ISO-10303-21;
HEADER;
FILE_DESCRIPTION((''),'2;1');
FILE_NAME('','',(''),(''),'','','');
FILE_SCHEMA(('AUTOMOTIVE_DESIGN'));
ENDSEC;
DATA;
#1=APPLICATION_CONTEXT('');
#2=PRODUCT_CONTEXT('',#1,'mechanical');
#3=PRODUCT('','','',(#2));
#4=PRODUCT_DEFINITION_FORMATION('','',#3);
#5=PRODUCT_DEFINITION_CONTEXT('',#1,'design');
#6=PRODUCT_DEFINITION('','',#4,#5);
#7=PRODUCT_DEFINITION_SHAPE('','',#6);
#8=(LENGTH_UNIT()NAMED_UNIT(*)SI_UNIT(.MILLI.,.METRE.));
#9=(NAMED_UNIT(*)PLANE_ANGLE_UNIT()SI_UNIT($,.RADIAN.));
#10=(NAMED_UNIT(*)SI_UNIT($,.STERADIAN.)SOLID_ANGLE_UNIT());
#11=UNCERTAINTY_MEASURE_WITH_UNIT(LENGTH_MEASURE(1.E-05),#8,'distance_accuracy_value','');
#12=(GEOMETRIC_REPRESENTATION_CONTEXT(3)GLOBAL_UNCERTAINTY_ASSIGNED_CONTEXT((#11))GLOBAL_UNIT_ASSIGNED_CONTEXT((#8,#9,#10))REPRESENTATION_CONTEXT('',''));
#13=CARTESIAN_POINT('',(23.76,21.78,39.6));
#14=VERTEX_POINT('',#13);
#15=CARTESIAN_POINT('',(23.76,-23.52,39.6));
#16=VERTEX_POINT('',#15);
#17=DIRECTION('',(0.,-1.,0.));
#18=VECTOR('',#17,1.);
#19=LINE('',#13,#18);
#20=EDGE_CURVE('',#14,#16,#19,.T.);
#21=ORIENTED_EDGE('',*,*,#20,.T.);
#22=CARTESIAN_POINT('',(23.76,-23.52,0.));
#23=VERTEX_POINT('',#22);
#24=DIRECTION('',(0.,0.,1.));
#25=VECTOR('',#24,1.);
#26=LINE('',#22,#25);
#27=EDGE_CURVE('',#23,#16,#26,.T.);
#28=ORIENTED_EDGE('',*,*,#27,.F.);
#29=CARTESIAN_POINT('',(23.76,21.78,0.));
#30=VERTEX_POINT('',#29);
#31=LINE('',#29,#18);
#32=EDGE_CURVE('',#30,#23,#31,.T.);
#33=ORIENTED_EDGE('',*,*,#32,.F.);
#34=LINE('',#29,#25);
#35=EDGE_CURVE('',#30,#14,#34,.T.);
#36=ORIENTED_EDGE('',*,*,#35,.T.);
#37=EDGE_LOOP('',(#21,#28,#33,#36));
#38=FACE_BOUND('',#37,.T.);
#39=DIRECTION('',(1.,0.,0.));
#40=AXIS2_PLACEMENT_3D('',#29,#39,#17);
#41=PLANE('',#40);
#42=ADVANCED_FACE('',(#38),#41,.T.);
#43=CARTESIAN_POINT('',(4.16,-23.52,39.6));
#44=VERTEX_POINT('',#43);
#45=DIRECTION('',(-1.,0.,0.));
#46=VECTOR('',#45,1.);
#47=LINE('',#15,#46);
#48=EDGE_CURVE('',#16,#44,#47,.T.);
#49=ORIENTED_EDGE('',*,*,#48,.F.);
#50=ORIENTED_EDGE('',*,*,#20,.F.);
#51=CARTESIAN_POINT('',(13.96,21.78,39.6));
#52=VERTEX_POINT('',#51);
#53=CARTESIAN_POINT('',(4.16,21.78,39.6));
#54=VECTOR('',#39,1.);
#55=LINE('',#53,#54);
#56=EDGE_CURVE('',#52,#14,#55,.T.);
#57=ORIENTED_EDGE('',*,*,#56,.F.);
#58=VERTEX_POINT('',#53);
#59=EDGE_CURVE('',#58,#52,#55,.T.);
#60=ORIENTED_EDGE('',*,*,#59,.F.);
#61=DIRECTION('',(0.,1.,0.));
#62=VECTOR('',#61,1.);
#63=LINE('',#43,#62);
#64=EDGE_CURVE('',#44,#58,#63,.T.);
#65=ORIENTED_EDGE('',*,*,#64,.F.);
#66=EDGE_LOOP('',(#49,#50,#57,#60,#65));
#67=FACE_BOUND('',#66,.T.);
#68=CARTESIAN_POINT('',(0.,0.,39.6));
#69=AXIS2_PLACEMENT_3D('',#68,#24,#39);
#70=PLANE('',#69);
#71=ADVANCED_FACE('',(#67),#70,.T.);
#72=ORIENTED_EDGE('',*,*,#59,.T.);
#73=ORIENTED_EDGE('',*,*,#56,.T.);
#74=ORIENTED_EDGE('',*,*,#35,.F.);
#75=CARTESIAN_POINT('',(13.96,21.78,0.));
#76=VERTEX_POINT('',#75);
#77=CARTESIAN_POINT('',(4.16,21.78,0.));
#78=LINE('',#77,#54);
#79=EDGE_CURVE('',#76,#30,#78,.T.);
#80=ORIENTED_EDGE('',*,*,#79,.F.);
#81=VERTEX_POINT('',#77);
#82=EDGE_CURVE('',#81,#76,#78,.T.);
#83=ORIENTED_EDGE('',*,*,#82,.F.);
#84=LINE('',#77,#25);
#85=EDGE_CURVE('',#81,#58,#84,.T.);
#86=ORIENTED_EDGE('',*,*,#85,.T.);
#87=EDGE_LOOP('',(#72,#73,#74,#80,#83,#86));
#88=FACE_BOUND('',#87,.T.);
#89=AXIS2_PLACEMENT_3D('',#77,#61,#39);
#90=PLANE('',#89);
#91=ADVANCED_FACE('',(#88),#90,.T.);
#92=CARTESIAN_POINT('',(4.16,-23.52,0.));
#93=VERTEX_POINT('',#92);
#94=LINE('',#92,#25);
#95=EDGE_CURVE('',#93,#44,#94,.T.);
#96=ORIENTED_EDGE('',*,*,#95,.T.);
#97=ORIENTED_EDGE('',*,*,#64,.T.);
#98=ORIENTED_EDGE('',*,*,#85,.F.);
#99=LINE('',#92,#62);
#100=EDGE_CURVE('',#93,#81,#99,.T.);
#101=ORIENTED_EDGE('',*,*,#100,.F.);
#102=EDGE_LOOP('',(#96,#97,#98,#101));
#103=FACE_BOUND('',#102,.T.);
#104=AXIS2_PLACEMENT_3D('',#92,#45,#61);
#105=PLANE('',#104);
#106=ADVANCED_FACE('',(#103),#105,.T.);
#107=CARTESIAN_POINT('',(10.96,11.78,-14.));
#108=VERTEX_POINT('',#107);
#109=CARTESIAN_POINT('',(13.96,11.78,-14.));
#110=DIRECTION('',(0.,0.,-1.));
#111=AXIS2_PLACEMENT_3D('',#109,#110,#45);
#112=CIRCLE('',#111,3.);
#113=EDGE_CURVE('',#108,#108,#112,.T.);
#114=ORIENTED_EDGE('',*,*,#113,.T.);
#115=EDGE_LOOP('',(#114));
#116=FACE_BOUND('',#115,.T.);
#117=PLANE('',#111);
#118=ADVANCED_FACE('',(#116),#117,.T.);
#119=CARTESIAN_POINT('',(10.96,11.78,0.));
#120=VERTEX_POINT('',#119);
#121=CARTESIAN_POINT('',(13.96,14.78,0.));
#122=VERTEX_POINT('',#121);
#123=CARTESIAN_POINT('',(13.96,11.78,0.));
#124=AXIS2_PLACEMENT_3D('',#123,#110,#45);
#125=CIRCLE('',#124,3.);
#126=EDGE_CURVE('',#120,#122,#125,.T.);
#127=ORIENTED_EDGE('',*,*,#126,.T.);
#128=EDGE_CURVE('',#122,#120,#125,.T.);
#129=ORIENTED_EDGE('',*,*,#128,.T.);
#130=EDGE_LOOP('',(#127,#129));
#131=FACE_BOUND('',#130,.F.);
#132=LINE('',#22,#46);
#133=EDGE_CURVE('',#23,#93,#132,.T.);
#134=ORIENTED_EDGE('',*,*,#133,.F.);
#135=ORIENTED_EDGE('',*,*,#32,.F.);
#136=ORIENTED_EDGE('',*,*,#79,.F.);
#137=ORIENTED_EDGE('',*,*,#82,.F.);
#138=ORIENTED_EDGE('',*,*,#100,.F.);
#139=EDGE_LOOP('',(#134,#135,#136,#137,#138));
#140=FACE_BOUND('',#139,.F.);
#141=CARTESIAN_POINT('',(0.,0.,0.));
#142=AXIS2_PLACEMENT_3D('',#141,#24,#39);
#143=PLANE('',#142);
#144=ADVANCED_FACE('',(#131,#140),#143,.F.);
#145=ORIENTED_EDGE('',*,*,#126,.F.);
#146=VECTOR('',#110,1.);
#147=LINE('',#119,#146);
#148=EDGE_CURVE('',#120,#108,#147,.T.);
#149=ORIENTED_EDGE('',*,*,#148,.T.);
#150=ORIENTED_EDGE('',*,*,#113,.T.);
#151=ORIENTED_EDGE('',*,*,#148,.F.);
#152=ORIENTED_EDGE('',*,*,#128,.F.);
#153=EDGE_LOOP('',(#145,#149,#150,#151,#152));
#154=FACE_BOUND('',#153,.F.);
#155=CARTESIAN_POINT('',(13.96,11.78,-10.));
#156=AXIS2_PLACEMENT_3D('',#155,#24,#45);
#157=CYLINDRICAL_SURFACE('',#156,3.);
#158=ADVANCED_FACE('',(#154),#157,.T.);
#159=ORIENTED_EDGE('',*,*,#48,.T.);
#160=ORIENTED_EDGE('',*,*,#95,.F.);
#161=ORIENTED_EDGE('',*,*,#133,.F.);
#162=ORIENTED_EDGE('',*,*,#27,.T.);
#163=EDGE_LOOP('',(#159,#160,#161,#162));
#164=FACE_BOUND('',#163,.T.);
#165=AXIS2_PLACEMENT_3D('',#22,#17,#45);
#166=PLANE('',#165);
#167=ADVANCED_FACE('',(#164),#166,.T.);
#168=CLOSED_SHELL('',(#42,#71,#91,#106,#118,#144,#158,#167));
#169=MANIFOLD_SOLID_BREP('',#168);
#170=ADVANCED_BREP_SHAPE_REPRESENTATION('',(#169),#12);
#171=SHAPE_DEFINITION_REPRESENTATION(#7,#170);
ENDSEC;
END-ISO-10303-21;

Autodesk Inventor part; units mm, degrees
ref_plane "YZ Plane" through (0, 0, 0) normal (1, 0, 0) x (0, 1, 0)
ref_plane "XZ Plane" through (0, 0, 0) normal (0, 1, 0) x (-1, 0, 0)
ref_plane "XY Plane" through (0, 0, 0) normal (0, 0, 1) x (1, 0, 0)
sketch "Sketch1" plane through (0, 0, 0) normal (0, 0, 1) x (1, 0, 0)
  line L0 (4.16, 21.78) -> (23.76, 21.78)
  line L1 (23.76, 21.78) -> (23.76, -23.52)
  line L2 (23.76, -23.52) -> (4.16, -23.52)
  line L3 (4.16, -23.52) -> (4.16, 21.78)
  line L4 (4.16, 21.78) -> (23.76, 21.78)
  line L5 (13.96, 21.78) -> (13.96, 11.78)
  circle A0 centre (13.96, 11.78) radius 3
  point P0 (0, 0)
  dimension "d0" = 45.3
  dimension "d1" = 19.6
  dimension "d2" = 10
  dimension "d3" = 6
extrude "Extrusion1" add sketch "Sketch1" along normal blind 39.6 contours A0 | L0 L1 L2 L3
sketch "Sketch2" plane through (0, 0, 0) normal (0, 0, -1) x (-1, 0, 0)
  line L0 (-23.76, 21.78) -> (-4.16, 21.78) projected
  line L1 (-23.76, 21.78) -> (-4.16, 21.78)
  line L2 (-13.96, 21.78) -> (-13.96, 11.78)
  circle A0 centre (-13.96, 11.78) radius 3
  point P0 (0, 0)
  dimension "d6" = 10
  dimension "d7" = 6
extrude "Extrusion2" add sketch "Sketch2" along normal blind 10
sketch "Sketch3" plane through (13.96, 11.78, -10) normal (0, 0, -1) x (-1, 0, 0)
  circle A0 centre (0, 0) radius 3 projected
  circle A1 centre (0, 0) radius 3
  point P0 (13.96, -11.78)
extrude "Extrusion3" add sketch "Sketch3" along normal blind 4
properties part number "motor_basic"
